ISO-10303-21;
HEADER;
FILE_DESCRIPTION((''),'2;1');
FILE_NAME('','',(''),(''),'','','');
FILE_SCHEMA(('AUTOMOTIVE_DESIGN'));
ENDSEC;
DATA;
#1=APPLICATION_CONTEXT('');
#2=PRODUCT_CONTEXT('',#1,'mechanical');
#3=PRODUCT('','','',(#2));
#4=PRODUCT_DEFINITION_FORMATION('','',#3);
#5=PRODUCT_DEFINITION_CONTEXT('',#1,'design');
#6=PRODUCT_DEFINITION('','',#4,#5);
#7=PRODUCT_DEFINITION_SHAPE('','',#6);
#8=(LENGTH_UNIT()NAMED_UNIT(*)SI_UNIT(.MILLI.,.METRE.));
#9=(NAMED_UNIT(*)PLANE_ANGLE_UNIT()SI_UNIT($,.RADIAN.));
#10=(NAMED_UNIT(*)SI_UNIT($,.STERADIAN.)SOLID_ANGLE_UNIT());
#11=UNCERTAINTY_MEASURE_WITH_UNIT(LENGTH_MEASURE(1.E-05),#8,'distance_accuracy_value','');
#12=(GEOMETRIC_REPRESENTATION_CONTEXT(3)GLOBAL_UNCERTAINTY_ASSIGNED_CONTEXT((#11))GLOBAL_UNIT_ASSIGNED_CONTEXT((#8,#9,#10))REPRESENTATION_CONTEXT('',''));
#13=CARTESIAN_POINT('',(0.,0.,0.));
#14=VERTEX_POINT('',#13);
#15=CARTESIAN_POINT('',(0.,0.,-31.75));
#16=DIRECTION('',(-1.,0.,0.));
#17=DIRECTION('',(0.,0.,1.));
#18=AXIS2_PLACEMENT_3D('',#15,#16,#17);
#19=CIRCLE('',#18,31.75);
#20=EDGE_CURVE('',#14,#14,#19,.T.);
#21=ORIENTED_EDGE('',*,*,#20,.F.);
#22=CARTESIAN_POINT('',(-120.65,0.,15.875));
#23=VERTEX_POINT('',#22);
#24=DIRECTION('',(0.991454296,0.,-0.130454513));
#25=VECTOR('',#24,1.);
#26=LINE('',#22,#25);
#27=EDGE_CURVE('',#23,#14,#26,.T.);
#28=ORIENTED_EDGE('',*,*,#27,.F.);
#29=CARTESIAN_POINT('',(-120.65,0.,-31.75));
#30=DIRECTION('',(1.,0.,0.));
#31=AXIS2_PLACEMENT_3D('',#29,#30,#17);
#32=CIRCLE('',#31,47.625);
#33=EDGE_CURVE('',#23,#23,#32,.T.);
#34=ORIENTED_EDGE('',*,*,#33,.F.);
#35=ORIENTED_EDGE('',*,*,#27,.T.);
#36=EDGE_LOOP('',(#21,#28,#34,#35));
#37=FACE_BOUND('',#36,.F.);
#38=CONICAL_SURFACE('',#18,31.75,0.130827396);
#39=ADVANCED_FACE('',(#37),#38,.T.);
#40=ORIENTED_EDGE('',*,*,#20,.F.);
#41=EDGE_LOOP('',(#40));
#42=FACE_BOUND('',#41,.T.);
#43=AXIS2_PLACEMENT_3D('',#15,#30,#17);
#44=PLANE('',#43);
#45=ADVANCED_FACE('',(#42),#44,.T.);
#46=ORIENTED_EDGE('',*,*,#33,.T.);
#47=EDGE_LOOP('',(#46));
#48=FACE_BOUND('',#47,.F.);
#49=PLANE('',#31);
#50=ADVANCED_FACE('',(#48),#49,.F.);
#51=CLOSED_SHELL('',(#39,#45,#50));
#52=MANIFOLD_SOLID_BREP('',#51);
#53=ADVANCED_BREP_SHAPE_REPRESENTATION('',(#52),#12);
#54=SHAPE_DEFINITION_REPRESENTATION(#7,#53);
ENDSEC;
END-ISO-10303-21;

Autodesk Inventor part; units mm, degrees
ref_plane "YZ Plane" through (0, 0, 0) normal (1, 0, 0) x (0, 1, 0)
ref_plane "XZ Plane" through (0, 0, 0) normal (0, 1, 0) x (-1, 0, 0)
ref_plane "XY Plane" through (0, 0, 0) normal (0, 0, 1) x (1, 0, 0)
sketch "Sketch1" plane through (0, 0, 0) normal (0, 1, 0) x (-1, 0, 0)
  line L0 (0, 0) -> (0, -63.5)
  line L1 (120.65, 15.875) -> (120.65, -79.375)
  line L2 (0, -63.5) -> (120.65, -79.375)
  line L3 (0, 0) -> (120.65, 15.875)
  line L4 (120.65, -31.75) -> (0, -31.75)
  line L5 (0, -31.75) -> (9.25, -31.75)
  line L6 (120.65, -31.75) -> (28.15, -31.75)
  line L7 (28.15, 3.7039) -> (28.15, -67.2039)
  line L8 (19.15, 9.75) -> (19.15, -73.25)
  line L9 (19.15, -73.25) -> (37.15, -73.25)
  line L10 (37.15, -73.25) -> (37.15, 9.75)
  line L11 (37.15, 9.75) -> (19.15, 9.75)
  line L12 (19.15, 9.75) -> (37.15, -73.25) construction
  line L13 (19.15, -73.25) -> (37.15, 9.75) construction
  dimension "d0" = 63.5
  dimension "d1" = 95.25
  dimension "d2" = 120.65
  dimension "d6" = 92.5
  dimension "d7" = 70.9079
  dimension "d8" = 83
  dimension "d9" = 18
revolve "Revolution1" add sketch "Sketch1" angle 360 about axis through (-120.65, 0, -31.75) along (1, 0, 0) contours L3 L8 L4 L0 | L4 L8 L2 L0 | L3 L7 L4 L8 | L3 L10 L4 L7 | L4 L7 L2 L8 | L3 L1 L4 L10 | L4 L10 L2 L7 | L4 L1 L2 L10
properties part number "cup"
